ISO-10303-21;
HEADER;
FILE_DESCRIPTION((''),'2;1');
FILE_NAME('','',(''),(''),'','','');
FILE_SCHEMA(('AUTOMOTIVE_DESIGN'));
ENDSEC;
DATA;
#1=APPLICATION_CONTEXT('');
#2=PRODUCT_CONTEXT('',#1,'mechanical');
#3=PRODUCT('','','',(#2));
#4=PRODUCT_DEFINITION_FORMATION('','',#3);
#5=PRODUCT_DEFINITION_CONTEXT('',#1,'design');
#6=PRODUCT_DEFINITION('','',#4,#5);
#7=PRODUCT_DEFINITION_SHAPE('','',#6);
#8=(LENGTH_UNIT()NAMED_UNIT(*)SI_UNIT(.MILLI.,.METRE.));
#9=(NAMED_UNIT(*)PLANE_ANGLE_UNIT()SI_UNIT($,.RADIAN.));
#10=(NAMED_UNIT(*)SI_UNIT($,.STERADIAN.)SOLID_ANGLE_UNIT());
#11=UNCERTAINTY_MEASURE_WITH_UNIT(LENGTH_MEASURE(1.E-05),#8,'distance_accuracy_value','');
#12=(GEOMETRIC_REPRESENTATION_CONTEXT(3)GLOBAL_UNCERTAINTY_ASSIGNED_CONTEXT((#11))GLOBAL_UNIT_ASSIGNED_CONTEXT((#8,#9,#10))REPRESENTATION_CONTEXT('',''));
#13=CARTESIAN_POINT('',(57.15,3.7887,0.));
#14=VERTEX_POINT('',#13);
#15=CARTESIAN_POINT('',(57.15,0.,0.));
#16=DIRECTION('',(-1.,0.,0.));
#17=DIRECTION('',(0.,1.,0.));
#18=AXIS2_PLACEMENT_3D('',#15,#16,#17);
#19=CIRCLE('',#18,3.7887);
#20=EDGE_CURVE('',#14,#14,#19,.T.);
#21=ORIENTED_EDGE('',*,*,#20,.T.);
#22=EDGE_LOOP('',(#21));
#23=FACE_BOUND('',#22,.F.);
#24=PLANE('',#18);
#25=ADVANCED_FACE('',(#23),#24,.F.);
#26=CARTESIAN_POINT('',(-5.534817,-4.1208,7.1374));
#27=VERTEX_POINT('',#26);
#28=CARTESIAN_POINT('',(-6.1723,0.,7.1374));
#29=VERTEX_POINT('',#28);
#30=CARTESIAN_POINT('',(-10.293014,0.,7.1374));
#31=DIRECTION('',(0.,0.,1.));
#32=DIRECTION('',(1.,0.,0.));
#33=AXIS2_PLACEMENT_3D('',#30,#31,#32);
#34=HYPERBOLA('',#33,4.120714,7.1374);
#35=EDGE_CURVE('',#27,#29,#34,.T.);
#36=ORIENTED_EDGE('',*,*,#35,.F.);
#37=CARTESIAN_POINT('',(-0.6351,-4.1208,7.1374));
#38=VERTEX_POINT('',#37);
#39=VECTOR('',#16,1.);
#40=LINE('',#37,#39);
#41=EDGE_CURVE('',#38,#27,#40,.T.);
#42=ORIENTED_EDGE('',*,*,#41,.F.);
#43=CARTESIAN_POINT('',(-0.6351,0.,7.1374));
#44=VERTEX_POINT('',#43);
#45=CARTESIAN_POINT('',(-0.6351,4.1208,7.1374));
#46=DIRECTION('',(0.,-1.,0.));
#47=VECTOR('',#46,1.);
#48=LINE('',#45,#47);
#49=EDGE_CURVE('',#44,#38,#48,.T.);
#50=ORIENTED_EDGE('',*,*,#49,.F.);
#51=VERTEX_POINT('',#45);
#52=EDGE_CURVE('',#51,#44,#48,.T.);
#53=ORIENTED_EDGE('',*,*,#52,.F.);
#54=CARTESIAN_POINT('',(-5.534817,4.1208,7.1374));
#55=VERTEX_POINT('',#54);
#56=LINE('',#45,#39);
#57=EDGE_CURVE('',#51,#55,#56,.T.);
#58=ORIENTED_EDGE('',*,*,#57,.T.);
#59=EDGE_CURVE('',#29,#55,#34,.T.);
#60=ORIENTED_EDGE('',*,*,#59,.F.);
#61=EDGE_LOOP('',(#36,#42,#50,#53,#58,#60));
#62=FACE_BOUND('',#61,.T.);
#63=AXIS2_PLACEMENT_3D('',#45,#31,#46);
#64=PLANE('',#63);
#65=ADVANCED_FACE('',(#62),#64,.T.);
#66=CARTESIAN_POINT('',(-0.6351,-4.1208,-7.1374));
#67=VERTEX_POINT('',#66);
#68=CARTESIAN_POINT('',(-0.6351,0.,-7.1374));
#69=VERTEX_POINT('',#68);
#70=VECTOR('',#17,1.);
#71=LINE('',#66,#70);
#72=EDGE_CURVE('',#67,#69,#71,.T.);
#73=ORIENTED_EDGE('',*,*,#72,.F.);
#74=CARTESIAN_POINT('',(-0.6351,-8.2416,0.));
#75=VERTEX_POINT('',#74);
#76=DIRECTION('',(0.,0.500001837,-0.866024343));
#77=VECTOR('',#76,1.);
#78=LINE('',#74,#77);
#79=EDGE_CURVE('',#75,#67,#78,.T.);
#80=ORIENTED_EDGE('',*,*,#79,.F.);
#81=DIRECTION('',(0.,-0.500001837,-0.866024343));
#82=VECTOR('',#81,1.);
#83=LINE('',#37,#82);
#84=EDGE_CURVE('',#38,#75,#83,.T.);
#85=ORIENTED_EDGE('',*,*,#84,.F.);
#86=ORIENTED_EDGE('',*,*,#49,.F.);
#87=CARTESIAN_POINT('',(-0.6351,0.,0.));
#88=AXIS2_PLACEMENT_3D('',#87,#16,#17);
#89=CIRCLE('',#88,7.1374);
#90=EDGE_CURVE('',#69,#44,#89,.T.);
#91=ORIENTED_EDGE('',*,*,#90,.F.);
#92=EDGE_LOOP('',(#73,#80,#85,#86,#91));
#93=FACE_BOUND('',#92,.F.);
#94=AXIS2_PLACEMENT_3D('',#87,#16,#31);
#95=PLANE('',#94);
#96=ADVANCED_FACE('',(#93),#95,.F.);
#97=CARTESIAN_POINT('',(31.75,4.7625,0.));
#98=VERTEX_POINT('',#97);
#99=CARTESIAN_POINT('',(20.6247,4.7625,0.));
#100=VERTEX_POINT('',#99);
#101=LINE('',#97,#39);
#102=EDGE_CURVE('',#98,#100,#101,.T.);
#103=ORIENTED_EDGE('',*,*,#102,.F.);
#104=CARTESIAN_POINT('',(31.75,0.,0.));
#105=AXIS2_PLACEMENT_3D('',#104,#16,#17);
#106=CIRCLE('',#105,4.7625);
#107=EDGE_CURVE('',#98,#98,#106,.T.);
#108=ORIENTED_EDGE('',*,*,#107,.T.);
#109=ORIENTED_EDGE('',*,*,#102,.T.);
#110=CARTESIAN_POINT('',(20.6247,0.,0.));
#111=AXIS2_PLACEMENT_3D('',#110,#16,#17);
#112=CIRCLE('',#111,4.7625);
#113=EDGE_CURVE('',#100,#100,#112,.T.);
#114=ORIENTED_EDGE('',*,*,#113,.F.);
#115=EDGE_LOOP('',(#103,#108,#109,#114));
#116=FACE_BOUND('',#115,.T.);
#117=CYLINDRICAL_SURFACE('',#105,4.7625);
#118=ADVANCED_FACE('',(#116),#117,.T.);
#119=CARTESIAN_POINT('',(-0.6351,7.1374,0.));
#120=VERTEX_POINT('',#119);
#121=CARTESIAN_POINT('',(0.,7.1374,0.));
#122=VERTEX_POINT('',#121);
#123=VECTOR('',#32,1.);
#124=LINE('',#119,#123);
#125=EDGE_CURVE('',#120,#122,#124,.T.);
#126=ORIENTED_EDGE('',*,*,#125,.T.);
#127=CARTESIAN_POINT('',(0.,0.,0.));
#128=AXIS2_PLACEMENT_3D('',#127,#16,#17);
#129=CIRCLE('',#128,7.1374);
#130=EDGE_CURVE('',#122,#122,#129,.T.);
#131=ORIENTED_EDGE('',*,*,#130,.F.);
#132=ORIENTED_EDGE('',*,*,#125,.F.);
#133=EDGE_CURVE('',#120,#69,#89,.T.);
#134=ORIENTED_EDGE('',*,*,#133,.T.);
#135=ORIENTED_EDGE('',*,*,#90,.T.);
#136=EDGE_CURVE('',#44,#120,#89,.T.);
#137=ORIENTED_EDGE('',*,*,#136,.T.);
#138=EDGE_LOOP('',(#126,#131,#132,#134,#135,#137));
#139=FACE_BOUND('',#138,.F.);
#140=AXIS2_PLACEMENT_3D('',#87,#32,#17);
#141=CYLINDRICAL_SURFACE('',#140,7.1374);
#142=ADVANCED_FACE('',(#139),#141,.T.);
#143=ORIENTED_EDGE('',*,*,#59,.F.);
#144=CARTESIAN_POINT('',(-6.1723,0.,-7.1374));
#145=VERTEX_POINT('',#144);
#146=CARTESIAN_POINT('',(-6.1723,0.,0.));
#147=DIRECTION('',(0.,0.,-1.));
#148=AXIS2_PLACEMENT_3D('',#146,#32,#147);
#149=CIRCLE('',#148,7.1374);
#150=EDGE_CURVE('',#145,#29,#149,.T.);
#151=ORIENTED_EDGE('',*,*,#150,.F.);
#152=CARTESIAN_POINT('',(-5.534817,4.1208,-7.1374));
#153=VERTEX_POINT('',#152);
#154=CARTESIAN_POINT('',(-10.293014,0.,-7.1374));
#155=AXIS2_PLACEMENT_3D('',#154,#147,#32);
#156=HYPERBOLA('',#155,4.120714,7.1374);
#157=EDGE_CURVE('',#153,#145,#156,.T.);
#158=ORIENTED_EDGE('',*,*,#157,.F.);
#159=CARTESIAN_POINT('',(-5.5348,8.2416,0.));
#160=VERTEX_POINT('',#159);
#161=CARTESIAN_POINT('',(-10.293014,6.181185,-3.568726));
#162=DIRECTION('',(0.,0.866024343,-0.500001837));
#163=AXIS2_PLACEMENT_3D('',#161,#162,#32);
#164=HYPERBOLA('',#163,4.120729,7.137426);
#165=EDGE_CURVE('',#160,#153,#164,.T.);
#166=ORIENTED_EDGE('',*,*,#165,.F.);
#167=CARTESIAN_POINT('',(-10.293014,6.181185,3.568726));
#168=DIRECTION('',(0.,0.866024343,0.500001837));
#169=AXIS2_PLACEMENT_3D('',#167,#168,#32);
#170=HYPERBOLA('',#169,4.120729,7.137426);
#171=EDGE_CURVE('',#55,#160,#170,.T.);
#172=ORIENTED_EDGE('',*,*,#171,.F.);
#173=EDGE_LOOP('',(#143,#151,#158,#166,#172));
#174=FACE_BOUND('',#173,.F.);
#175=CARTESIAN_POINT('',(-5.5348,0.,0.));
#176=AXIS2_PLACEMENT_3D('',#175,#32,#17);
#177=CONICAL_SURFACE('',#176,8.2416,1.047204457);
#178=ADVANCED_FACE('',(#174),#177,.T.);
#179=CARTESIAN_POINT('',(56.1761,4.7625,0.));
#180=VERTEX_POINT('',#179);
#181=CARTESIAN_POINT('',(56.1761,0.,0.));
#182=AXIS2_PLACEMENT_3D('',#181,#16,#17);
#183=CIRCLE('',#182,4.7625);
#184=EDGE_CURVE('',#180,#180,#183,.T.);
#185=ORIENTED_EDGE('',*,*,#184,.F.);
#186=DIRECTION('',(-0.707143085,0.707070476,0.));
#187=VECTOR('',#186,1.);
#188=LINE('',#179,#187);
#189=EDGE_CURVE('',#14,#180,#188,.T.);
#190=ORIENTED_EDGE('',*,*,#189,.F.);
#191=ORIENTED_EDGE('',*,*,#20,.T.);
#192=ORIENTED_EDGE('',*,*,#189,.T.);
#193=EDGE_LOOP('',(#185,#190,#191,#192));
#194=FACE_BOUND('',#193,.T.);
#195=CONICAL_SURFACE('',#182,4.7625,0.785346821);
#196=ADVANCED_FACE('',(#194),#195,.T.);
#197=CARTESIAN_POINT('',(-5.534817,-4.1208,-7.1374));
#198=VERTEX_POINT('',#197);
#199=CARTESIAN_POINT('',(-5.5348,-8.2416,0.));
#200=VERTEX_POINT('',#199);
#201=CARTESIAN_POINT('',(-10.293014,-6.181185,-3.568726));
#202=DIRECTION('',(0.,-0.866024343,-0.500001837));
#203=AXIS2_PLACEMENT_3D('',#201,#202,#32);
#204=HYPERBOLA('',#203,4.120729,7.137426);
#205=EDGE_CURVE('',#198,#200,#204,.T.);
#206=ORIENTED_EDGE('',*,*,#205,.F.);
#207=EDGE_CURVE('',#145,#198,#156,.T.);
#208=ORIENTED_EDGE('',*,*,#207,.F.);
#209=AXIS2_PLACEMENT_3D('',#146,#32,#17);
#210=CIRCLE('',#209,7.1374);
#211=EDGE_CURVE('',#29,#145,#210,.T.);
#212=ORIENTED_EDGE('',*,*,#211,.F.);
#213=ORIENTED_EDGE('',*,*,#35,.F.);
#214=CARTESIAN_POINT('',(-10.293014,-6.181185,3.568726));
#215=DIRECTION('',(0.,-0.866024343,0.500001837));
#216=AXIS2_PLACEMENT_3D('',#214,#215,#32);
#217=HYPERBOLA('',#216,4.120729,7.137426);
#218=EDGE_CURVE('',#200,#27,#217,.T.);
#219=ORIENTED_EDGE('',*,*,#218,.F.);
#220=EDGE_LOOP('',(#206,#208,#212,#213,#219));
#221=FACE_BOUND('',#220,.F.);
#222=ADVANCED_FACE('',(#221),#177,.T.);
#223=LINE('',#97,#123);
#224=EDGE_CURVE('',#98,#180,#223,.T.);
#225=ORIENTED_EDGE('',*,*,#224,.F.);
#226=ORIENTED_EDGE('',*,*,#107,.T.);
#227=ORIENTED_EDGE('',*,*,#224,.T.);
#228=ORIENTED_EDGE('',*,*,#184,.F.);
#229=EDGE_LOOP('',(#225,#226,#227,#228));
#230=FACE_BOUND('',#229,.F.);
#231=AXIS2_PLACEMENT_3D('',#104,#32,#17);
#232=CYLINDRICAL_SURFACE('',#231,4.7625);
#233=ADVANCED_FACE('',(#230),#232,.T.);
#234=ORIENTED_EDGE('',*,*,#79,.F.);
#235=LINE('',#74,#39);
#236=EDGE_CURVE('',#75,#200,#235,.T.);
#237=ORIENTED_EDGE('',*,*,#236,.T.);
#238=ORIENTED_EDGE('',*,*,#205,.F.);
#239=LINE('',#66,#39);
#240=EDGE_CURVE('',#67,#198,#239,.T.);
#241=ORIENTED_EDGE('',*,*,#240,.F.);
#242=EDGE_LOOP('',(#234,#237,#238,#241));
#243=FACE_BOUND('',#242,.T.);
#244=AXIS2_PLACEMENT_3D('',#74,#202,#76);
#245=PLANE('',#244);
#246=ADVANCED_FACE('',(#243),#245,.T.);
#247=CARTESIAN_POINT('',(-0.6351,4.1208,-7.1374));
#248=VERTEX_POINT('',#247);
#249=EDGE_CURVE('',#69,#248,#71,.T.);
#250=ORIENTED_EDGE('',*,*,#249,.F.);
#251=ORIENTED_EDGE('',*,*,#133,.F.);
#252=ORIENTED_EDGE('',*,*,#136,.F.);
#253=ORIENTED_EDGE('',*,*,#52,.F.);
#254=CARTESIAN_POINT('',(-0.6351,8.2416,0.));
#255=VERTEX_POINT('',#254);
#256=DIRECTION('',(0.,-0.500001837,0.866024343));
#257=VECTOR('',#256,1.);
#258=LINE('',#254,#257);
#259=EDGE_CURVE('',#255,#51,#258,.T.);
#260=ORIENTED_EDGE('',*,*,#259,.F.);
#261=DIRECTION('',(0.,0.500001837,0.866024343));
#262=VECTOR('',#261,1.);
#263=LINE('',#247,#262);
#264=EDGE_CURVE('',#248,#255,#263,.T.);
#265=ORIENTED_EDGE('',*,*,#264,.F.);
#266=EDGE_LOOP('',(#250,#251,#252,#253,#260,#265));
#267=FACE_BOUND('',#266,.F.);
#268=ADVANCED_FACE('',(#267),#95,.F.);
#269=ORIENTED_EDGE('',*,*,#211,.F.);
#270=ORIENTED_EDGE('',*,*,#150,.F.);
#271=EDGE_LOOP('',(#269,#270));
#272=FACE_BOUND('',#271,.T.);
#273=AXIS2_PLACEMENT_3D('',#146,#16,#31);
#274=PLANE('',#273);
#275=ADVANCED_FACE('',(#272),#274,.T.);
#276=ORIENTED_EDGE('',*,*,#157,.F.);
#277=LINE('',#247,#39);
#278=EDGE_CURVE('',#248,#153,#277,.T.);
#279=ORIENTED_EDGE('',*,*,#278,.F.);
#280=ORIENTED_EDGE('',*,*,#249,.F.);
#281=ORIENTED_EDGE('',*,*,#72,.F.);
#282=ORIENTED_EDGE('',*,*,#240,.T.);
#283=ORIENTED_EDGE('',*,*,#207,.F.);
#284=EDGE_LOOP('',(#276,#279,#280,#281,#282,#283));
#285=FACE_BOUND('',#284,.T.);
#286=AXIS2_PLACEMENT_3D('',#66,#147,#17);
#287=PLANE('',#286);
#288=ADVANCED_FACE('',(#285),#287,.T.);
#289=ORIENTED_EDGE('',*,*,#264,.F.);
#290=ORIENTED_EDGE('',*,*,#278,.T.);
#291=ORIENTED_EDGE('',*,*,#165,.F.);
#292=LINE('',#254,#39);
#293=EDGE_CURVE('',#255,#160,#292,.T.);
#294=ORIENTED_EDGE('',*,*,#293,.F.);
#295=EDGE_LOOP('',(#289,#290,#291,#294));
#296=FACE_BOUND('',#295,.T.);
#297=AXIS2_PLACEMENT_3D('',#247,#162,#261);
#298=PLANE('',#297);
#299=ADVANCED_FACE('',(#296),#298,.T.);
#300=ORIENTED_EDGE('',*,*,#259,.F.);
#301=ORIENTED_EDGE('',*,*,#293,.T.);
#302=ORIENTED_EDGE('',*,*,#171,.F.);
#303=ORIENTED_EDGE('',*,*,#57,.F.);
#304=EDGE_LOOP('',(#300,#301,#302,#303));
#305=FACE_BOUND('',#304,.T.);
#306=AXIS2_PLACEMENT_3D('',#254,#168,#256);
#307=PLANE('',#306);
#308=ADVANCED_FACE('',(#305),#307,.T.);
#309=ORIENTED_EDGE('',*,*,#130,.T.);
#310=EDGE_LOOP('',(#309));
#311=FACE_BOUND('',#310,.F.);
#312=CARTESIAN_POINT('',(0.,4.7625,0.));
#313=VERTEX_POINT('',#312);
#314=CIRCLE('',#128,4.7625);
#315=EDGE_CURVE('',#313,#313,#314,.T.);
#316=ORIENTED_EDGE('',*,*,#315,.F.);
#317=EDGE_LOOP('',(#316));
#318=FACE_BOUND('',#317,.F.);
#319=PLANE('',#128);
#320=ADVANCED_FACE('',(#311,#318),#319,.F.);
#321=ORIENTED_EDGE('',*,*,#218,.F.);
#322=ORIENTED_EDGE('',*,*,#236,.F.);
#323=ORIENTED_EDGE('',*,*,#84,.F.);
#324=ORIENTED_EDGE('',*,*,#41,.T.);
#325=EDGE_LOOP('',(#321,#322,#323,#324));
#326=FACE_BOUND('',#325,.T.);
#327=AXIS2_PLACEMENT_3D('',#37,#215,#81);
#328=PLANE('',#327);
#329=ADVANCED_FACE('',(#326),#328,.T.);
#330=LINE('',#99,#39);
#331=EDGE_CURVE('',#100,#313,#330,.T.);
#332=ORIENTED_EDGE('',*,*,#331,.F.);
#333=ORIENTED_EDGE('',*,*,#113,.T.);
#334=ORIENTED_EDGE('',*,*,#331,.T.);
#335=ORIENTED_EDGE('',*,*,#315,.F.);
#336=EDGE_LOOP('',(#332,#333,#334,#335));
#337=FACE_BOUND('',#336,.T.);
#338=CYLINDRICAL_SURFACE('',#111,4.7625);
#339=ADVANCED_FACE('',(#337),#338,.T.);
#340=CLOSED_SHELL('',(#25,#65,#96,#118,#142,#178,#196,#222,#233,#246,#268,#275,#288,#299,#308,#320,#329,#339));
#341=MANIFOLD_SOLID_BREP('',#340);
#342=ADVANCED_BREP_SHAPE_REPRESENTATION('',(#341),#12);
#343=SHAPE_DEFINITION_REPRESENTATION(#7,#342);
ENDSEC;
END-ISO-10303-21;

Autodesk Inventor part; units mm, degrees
ref_plane "YZ Plane" through (0, 0, 0) normal (1, 0, 0) x (0, 1, 0)
ref_plane "XZ Plane" through (0, 0, 0) normal (0, 1, 0) x (-1, 0, 0)
sketch "Sketch1" plane through (0, 0, 0) normal (0, 0, 1) x (1, 0, 0)
  line L0 (0, 7.1374) -> (0, 4.7625)
  line L1 (31.75, 4.7625) -> (57.15, 4.7625)
  line L2 (57.15, 4.7625) -> (57.15, 0)
  line L3 (57.15, 0) -> (-0.6351, 0)
  line L4 (-12.1921, 0) -> (68.707, 0) projected
  line L5 (-0.6351, 0) -> (-0.6351, 7.1374)
  line L6 (-0.6351, 7.1374) -> (0, 7.1374)
  line L7 (31.75, 4.7625) -> (20.6247, 4.7625)
  line L8 (20.6247, 4.7625) -> (0, 4.7625)
  line L9 (0, -1.4275) -> (0, 8.5649) projected
  dimension "d0" = 57.15
  dimension "d1" = 25.4
  dimension "d2" = 9.525
  dimension "d9" = 0.6351
  dimension "d10" = 14.2748
  dimension "d13" = 11.1253
  dimension "d14" = 9.525
revolve "Body" add sketch "Sketch1" angle 360 about axis through (57.15, 0, 0) along (-1, 0, 0)
sketch "Sketch2" plane through (-0.6351, 0, 0) normal (-1, 0, 0) x (0, 0, 1)
  line L0 (0, 8.2416) -> (7.1374, 4.1208)
  line L1 (7.1374, 4.1208) -> (7.1374, -4.1208)
  line L2 (7.1374, -4.1208) -> (0, -8.2416)
  line L3 (0, -8.2416) -> (-7.1374, -4.1208)
  line L4 (-7.1374, -4.1208) -> (-7.1374, 4.1208)
  line L5 (-7.1374, 4.1208) -> (0, 8.2416)
  point P0 (0, 0)
  point P1 (0, 0)
  dimension "d11" = 14.2748
extrude "Head" add sketch "Sketch2" along normal blind 5.5372
sketch "Sketch4" plane through (0, 0, 0) normal (0, 0, 1) x (1, 0, 0)
  line L0 (-6.1723, 7.1374) -> (-6.1723, 8.2416)
  line L1 (-6.1723, 8.2416) -> (-5.5348, 8.2416)
  line L2 (-5.5348, 8.2416) -> (-6.1723, 7.1374)
  line L3 (-7.2797, 0) -> (0.4723, 0) projected
  line L4 (-0.6351, 8.2416) -> (-6.1723, 8.2416) projected
  line L5 (-6.1723, 4.1208) -> (-6.1723, 8.2416) projected
  dimension "d5" = 30
  dimension "d19" = 14.2748
revolve "Chamfer1" cut sketch "Sketch4" angle 360 about axis through (-10, 0, 0) along (1, 0, 0)
thread "Thread" size "3/8-16 UNC" class "2A" standard "ANSI Unified Screw Threads" length 25.4
chamfer "Chamfer2" distance 0.9738 distance2 0.9739 1 edges at (57.15, -4.7625, 0) measured on face at (57.15, 0.9018, -1.6622)
ref_plane "Work Plane1" through (1.525, 0, 0) normal (0, 0, 1) x (1, 0, 0)
equation "\"d0\" = NLG"
equation "\"d1\" = GEL"
equation "\"d2\" = GD"
equation "\"d10\" = SD2"
equation "\"d14\" = BDM"
equation "\"d11\" = SW"
equation "\"d3\" = KOH - SD"
equation "\"d5\" = ANG1"
equation "\"d19\" = SW0"
equation "\"d15\" = GEL"
equation "\"d6\" = -0.5 * SPD + 0.5 * GD"
equation "\"NLG\" = 57.15"
equation "\"GD\" = 9.525"
equation "\"BDM\" = 9.525"
equation "\"KOH\" = 6.1722"
equation "\"GEL\" = 25.4"
equation "\"SW\" = 14.2748"
equation "\"SW0\" = SW"
equation "\"SPD\" = GD1"
equation "\"SD2\" = SW"
equation "\"SD\" = 0.635"
equation "\"ANG1\" = 30deg"
equation "\"GAL\" = 11.1252"
equation "\"GUL\" = 0.97384"
equation "\"RR\" = 0.381"
equation "\"WFT\" = SD"
equation "\"GD1\" = 7.57733"
equation "\"THREADDIA\" = 9.525"
equation "\"SDH\" = SW"
equation "\"SDHG\" = 20.6248"
equation "\"TOA\" = 30deg"
equation "\"FAWI\" = 45deg"
equation "\"NND\" = 9.525"
equation "\"E0\" = 16.48739"
properties part number "AS 2465 - 3/8 x 2 1/4  UNC" material "Steel, Mild"
